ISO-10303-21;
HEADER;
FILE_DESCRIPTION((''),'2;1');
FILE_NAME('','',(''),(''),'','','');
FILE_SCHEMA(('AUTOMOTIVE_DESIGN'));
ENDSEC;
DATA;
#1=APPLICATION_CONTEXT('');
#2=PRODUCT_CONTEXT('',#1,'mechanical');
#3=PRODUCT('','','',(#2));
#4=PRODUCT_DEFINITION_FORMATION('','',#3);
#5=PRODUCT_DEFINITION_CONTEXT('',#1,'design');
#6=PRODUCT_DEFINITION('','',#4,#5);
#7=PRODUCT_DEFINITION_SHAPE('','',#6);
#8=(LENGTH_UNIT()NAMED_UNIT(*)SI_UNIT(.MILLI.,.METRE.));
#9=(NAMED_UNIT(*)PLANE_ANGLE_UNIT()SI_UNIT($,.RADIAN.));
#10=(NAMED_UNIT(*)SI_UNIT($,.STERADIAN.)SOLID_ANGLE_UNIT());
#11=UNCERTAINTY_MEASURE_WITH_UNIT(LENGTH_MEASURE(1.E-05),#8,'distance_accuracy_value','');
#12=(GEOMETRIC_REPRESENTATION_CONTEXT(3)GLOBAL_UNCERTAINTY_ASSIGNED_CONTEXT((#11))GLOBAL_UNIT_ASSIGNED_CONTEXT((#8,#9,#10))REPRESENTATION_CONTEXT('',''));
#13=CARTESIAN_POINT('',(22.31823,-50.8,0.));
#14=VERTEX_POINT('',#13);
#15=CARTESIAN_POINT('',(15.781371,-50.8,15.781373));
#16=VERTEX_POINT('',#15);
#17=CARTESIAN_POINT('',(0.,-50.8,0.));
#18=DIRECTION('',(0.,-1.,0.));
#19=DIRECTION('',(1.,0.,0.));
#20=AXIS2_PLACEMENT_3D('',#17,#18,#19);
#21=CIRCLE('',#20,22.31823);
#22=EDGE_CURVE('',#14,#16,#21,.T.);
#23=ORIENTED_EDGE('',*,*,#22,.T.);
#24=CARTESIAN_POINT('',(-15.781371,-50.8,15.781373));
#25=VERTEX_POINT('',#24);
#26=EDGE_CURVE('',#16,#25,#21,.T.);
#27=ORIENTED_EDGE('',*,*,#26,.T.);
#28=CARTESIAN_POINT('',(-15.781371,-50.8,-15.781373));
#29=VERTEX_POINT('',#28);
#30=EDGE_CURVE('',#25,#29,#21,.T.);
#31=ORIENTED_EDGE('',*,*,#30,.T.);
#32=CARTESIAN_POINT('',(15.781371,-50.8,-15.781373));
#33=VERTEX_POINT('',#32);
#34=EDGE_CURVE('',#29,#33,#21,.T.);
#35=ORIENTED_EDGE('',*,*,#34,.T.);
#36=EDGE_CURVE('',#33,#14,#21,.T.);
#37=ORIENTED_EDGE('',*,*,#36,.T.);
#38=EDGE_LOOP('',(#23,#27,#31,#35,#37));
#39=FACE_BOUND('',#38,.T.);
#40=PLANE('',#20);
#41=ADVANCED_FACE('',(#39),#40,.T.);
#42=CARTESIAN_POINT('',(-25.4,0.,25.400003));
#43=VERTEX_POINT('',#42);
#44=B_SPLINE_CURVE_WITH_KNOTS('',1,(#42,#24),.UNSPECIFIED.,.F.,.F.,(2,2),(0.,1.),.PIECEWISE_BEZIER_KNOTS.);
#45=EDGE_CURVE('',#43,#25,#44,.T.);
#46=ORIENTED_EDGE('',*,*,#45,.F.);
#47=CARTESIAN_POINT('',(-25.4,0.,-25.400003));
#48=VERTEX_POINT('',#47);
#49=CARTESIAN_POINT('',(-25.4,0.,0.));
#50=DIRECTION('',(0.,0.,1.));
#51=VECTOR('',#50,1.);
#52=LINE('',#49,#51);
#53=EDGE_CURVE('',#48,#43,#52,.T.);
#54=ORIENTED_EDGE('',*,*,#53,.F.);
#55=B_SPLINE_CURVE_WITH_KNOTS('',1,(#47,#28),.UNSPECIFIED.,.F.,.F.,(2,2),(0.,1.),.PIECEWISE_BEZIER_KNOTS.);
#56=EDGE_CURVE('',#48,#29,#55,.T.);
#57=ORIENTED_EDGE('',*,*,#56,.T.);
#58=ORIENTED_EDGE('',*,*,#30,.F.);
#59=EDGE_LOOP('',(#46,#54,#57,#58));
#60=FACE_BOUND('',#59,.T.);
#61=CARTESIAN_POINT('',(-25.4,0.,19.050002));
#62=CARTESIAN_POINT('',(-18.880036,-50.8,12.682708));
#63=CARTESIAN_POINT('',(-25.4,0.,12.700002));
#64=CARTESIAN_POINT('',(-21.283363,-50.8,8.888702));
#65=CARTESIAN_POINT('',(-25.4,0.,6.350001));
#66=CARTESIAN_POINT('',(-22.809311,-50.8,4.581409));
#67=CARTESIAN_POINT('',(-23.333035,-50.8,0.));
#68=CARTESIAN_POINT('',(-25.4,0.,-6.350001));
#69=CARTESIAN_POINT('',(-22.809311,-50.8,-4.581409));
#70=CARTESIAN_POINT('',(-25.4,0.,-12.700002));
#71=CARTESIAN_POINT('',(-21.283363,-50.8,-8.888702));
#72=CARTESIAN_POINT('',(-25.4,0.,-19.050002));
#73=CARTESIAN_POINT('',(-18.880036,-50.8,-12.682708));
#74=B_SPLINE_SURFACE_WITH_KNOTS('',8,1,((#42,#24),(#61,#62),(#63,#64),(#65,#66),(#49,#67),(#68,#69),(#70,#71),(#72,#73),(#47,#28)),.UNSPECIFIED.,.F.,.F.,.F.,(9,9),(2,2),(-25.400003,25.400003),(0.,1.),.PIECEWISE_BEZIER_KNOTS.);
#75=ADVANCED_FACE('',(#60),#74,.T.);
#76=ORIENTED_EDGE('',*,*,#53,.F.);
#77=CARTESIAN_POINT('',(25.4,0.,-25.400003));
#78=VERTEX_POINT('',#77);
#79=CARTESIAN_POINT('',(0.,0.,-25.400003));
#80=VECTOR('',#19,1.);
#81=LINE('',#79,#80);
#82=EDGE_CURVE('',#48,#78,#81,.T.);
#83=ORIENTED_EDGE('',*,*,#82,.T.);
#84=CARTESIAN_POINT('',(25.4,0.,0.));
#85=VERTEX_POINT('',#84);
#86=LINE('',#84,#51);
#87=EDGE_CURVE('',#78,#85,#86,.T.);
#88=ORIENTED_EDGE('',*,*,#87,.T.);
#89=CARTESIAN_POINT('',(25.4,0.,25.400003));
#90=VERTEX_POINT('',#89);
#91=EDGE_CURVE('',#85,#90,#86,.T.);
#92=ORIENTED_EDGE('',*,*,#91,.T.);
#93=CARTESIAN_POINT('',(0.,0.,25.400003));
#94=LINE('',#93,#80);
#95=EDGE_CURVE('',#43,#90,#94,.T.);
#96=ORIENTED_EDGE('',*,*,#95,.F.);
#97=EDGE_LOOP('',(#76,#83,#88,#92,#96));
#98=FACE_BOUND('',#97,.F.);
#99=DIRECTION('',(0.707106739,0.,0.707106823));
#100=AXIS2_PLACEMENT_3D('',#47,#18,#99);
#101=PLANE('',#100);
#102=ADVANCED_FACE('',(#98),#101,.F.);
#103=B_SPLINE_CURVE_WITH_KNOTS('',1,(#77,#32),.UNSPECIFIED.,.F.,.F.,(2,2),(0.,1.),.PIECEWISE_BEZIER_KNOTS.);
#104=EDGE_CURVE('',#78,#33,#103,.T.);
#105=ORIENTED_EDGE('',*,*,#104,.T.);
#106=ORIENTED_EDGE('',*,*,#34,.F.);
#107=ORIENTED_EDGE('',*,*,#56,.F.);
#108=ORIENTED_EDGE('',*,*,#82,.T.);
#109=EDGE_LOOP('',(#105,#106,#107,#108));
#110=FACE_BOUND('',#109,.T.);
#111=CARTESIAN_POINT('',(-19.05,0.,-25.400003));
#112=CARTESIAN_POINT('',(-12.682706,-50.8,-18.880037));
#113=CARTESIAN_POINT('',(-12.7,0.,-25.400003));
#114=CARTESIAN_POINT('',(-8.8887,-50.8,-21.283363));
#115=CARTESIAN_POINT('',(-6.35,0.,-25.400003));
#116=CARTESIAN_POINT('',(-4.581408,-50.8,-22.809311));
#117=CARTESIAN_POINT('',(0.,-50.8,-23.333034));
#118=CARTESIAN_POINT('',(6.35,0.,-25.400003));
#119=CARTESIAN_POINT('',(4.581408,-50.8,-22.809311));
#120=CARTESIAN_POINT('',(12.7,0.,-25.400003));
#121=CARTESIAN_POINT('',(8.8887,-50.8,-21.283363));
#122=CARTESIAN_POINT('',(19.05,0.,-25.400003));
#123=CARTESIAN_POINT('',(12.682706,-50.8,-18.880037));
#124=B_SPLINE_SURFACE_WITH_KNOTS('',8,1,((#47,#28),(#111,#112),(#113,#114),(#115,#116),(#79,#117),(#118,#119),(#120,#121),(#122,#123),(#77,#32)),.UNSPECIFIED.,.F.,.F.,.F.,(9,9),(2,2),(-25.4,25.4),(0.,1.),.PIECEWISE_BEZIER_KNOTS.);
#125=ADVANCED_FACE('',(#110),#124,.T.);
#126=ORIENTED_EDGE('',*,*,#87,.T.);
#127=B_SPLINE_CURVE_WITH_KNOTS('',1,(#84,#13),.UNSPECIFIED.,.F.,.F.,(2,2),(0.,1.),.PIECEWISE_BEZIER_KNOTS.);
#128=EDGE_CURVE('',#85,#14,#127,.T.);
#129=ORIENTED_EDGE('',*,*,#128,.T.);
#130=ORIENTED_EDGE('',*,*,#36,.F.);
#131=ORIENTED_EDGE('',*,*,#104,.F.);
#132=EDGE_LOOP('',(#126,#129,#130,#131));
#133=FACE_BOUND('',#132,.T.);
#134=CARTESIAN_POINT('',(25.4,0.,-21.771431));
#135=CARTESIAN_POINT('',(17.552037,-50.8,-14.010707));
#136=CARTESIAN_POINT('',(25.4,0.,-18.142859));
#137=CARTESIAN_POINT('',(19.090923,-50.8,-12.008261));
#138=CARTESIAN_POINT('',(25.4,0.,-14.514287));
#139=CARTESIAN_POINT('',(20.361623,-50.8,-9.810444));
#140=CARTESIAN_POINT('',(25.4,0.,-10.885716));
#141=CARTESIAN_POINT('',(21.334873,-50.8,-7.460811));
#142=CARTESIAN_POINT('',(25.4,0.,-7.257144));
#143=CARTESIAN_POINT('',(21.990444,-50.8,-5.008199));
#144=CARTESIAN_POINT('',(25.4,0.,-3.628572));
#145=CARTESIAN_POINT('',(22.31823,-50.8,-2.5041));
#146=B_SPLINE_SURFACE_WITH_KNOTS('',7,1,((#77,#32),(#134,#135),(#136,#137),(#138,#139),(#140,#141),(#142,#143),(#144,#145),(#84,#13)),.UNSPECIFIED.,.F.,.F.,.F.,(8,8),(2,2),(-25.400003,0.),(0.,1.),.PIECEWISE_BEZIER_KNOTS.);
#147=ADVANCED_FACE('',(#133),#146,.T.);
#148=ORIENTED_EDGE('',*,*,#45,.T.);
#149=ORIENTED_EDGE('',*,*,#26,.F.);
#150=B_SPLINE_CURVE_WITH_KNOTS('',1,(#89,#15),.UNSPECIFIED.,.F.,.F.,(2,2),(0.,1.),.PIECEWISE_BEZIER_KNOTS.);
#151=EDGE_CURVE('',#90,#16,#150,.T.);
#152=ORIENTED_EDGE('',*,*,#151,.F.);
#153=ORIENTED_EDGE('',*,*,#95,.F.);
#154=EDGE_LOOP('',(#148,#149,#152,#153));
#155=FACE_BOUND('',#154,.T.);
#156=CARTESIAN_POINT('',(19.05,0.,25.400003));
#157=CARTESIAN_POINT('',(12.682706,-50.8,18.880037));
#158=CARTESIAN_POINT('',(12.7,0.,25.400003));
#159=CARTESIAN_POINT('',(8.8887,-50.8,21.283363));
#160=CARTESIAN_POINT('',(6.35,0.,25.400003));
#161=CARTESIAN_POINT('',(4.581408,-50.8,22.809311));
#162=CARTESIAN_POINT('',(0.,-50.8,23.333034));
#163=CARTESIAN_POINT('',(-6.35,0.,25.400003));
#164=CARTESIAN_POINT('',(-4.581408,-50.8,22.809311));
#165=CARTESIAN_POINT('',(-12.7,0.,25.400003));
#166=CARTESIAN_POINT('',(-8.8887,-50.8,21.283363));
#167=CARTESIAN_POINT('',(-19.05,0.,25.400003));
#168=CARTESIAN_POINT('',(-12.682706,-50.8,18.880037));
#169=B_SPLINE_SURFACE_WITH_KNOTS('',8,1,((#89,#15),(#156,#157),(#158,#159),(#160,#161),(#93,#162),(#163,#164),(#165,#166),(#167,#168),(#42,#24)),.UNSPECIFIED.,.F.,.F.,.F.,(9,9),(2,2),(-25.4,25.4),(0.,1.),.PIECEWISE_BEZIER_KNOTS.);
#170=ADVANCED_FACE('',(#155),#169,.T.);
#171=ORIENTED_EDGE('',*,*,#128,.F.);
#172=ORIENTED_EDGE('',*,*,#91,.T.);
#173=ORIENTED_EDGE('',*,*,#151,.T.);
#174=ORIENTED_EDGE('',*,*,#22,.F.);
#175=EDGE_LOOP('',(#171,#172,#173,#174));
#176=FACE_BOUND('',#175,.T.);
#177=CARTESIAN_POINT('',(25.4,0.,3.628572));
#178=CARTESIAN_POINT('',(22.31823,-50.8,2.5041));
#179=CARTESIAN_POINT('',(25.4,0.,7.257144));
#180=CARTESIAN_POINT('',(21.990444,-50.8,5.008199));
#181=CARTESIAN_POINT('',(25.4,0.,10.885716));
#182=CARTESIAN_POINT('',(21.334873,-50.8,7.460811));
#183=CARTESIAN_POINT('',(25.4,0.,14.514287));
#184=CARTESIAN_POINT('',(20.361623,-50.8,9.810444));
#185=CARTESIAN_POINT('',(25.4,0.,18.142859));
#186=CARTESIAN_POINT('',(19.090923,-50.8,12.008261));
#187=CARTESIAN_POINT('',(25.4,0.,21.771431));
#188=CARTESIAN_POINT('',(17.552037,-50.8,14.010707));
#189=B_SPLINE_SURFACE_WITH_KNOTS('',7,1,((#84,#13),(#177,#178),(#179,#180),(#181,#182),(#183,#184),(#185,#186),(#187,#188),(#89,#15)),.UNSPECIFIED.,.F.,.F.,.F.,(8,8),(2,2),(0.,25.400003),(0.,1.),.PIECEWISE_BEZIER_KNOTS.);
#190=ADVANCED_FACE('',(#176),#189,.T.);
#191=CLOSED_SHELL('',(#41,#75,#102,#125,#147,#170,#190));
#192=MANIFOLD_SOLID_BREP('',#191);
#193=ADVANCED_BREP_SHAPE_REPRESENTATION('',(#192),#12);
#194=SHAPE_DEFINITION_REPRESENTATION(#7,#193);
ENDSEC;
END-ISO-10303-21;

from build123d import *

# Parameters (mm, degrees)
F0_W = 50.8
F0_H = 50.800006
F2_R = 22.31823


with BuildPart() as f3:
    # F0 (on Front) → F3 section 0
    with BuildSketch(Plane.XZ):
        Rectangle(F0_W, F0_H)
    # F2 (on offset) → F3 section 1
    with BuildSketch(Plane.XZ.offset(50.8)):
        Circle(F2_R)
    loft()


solid = f3.part
